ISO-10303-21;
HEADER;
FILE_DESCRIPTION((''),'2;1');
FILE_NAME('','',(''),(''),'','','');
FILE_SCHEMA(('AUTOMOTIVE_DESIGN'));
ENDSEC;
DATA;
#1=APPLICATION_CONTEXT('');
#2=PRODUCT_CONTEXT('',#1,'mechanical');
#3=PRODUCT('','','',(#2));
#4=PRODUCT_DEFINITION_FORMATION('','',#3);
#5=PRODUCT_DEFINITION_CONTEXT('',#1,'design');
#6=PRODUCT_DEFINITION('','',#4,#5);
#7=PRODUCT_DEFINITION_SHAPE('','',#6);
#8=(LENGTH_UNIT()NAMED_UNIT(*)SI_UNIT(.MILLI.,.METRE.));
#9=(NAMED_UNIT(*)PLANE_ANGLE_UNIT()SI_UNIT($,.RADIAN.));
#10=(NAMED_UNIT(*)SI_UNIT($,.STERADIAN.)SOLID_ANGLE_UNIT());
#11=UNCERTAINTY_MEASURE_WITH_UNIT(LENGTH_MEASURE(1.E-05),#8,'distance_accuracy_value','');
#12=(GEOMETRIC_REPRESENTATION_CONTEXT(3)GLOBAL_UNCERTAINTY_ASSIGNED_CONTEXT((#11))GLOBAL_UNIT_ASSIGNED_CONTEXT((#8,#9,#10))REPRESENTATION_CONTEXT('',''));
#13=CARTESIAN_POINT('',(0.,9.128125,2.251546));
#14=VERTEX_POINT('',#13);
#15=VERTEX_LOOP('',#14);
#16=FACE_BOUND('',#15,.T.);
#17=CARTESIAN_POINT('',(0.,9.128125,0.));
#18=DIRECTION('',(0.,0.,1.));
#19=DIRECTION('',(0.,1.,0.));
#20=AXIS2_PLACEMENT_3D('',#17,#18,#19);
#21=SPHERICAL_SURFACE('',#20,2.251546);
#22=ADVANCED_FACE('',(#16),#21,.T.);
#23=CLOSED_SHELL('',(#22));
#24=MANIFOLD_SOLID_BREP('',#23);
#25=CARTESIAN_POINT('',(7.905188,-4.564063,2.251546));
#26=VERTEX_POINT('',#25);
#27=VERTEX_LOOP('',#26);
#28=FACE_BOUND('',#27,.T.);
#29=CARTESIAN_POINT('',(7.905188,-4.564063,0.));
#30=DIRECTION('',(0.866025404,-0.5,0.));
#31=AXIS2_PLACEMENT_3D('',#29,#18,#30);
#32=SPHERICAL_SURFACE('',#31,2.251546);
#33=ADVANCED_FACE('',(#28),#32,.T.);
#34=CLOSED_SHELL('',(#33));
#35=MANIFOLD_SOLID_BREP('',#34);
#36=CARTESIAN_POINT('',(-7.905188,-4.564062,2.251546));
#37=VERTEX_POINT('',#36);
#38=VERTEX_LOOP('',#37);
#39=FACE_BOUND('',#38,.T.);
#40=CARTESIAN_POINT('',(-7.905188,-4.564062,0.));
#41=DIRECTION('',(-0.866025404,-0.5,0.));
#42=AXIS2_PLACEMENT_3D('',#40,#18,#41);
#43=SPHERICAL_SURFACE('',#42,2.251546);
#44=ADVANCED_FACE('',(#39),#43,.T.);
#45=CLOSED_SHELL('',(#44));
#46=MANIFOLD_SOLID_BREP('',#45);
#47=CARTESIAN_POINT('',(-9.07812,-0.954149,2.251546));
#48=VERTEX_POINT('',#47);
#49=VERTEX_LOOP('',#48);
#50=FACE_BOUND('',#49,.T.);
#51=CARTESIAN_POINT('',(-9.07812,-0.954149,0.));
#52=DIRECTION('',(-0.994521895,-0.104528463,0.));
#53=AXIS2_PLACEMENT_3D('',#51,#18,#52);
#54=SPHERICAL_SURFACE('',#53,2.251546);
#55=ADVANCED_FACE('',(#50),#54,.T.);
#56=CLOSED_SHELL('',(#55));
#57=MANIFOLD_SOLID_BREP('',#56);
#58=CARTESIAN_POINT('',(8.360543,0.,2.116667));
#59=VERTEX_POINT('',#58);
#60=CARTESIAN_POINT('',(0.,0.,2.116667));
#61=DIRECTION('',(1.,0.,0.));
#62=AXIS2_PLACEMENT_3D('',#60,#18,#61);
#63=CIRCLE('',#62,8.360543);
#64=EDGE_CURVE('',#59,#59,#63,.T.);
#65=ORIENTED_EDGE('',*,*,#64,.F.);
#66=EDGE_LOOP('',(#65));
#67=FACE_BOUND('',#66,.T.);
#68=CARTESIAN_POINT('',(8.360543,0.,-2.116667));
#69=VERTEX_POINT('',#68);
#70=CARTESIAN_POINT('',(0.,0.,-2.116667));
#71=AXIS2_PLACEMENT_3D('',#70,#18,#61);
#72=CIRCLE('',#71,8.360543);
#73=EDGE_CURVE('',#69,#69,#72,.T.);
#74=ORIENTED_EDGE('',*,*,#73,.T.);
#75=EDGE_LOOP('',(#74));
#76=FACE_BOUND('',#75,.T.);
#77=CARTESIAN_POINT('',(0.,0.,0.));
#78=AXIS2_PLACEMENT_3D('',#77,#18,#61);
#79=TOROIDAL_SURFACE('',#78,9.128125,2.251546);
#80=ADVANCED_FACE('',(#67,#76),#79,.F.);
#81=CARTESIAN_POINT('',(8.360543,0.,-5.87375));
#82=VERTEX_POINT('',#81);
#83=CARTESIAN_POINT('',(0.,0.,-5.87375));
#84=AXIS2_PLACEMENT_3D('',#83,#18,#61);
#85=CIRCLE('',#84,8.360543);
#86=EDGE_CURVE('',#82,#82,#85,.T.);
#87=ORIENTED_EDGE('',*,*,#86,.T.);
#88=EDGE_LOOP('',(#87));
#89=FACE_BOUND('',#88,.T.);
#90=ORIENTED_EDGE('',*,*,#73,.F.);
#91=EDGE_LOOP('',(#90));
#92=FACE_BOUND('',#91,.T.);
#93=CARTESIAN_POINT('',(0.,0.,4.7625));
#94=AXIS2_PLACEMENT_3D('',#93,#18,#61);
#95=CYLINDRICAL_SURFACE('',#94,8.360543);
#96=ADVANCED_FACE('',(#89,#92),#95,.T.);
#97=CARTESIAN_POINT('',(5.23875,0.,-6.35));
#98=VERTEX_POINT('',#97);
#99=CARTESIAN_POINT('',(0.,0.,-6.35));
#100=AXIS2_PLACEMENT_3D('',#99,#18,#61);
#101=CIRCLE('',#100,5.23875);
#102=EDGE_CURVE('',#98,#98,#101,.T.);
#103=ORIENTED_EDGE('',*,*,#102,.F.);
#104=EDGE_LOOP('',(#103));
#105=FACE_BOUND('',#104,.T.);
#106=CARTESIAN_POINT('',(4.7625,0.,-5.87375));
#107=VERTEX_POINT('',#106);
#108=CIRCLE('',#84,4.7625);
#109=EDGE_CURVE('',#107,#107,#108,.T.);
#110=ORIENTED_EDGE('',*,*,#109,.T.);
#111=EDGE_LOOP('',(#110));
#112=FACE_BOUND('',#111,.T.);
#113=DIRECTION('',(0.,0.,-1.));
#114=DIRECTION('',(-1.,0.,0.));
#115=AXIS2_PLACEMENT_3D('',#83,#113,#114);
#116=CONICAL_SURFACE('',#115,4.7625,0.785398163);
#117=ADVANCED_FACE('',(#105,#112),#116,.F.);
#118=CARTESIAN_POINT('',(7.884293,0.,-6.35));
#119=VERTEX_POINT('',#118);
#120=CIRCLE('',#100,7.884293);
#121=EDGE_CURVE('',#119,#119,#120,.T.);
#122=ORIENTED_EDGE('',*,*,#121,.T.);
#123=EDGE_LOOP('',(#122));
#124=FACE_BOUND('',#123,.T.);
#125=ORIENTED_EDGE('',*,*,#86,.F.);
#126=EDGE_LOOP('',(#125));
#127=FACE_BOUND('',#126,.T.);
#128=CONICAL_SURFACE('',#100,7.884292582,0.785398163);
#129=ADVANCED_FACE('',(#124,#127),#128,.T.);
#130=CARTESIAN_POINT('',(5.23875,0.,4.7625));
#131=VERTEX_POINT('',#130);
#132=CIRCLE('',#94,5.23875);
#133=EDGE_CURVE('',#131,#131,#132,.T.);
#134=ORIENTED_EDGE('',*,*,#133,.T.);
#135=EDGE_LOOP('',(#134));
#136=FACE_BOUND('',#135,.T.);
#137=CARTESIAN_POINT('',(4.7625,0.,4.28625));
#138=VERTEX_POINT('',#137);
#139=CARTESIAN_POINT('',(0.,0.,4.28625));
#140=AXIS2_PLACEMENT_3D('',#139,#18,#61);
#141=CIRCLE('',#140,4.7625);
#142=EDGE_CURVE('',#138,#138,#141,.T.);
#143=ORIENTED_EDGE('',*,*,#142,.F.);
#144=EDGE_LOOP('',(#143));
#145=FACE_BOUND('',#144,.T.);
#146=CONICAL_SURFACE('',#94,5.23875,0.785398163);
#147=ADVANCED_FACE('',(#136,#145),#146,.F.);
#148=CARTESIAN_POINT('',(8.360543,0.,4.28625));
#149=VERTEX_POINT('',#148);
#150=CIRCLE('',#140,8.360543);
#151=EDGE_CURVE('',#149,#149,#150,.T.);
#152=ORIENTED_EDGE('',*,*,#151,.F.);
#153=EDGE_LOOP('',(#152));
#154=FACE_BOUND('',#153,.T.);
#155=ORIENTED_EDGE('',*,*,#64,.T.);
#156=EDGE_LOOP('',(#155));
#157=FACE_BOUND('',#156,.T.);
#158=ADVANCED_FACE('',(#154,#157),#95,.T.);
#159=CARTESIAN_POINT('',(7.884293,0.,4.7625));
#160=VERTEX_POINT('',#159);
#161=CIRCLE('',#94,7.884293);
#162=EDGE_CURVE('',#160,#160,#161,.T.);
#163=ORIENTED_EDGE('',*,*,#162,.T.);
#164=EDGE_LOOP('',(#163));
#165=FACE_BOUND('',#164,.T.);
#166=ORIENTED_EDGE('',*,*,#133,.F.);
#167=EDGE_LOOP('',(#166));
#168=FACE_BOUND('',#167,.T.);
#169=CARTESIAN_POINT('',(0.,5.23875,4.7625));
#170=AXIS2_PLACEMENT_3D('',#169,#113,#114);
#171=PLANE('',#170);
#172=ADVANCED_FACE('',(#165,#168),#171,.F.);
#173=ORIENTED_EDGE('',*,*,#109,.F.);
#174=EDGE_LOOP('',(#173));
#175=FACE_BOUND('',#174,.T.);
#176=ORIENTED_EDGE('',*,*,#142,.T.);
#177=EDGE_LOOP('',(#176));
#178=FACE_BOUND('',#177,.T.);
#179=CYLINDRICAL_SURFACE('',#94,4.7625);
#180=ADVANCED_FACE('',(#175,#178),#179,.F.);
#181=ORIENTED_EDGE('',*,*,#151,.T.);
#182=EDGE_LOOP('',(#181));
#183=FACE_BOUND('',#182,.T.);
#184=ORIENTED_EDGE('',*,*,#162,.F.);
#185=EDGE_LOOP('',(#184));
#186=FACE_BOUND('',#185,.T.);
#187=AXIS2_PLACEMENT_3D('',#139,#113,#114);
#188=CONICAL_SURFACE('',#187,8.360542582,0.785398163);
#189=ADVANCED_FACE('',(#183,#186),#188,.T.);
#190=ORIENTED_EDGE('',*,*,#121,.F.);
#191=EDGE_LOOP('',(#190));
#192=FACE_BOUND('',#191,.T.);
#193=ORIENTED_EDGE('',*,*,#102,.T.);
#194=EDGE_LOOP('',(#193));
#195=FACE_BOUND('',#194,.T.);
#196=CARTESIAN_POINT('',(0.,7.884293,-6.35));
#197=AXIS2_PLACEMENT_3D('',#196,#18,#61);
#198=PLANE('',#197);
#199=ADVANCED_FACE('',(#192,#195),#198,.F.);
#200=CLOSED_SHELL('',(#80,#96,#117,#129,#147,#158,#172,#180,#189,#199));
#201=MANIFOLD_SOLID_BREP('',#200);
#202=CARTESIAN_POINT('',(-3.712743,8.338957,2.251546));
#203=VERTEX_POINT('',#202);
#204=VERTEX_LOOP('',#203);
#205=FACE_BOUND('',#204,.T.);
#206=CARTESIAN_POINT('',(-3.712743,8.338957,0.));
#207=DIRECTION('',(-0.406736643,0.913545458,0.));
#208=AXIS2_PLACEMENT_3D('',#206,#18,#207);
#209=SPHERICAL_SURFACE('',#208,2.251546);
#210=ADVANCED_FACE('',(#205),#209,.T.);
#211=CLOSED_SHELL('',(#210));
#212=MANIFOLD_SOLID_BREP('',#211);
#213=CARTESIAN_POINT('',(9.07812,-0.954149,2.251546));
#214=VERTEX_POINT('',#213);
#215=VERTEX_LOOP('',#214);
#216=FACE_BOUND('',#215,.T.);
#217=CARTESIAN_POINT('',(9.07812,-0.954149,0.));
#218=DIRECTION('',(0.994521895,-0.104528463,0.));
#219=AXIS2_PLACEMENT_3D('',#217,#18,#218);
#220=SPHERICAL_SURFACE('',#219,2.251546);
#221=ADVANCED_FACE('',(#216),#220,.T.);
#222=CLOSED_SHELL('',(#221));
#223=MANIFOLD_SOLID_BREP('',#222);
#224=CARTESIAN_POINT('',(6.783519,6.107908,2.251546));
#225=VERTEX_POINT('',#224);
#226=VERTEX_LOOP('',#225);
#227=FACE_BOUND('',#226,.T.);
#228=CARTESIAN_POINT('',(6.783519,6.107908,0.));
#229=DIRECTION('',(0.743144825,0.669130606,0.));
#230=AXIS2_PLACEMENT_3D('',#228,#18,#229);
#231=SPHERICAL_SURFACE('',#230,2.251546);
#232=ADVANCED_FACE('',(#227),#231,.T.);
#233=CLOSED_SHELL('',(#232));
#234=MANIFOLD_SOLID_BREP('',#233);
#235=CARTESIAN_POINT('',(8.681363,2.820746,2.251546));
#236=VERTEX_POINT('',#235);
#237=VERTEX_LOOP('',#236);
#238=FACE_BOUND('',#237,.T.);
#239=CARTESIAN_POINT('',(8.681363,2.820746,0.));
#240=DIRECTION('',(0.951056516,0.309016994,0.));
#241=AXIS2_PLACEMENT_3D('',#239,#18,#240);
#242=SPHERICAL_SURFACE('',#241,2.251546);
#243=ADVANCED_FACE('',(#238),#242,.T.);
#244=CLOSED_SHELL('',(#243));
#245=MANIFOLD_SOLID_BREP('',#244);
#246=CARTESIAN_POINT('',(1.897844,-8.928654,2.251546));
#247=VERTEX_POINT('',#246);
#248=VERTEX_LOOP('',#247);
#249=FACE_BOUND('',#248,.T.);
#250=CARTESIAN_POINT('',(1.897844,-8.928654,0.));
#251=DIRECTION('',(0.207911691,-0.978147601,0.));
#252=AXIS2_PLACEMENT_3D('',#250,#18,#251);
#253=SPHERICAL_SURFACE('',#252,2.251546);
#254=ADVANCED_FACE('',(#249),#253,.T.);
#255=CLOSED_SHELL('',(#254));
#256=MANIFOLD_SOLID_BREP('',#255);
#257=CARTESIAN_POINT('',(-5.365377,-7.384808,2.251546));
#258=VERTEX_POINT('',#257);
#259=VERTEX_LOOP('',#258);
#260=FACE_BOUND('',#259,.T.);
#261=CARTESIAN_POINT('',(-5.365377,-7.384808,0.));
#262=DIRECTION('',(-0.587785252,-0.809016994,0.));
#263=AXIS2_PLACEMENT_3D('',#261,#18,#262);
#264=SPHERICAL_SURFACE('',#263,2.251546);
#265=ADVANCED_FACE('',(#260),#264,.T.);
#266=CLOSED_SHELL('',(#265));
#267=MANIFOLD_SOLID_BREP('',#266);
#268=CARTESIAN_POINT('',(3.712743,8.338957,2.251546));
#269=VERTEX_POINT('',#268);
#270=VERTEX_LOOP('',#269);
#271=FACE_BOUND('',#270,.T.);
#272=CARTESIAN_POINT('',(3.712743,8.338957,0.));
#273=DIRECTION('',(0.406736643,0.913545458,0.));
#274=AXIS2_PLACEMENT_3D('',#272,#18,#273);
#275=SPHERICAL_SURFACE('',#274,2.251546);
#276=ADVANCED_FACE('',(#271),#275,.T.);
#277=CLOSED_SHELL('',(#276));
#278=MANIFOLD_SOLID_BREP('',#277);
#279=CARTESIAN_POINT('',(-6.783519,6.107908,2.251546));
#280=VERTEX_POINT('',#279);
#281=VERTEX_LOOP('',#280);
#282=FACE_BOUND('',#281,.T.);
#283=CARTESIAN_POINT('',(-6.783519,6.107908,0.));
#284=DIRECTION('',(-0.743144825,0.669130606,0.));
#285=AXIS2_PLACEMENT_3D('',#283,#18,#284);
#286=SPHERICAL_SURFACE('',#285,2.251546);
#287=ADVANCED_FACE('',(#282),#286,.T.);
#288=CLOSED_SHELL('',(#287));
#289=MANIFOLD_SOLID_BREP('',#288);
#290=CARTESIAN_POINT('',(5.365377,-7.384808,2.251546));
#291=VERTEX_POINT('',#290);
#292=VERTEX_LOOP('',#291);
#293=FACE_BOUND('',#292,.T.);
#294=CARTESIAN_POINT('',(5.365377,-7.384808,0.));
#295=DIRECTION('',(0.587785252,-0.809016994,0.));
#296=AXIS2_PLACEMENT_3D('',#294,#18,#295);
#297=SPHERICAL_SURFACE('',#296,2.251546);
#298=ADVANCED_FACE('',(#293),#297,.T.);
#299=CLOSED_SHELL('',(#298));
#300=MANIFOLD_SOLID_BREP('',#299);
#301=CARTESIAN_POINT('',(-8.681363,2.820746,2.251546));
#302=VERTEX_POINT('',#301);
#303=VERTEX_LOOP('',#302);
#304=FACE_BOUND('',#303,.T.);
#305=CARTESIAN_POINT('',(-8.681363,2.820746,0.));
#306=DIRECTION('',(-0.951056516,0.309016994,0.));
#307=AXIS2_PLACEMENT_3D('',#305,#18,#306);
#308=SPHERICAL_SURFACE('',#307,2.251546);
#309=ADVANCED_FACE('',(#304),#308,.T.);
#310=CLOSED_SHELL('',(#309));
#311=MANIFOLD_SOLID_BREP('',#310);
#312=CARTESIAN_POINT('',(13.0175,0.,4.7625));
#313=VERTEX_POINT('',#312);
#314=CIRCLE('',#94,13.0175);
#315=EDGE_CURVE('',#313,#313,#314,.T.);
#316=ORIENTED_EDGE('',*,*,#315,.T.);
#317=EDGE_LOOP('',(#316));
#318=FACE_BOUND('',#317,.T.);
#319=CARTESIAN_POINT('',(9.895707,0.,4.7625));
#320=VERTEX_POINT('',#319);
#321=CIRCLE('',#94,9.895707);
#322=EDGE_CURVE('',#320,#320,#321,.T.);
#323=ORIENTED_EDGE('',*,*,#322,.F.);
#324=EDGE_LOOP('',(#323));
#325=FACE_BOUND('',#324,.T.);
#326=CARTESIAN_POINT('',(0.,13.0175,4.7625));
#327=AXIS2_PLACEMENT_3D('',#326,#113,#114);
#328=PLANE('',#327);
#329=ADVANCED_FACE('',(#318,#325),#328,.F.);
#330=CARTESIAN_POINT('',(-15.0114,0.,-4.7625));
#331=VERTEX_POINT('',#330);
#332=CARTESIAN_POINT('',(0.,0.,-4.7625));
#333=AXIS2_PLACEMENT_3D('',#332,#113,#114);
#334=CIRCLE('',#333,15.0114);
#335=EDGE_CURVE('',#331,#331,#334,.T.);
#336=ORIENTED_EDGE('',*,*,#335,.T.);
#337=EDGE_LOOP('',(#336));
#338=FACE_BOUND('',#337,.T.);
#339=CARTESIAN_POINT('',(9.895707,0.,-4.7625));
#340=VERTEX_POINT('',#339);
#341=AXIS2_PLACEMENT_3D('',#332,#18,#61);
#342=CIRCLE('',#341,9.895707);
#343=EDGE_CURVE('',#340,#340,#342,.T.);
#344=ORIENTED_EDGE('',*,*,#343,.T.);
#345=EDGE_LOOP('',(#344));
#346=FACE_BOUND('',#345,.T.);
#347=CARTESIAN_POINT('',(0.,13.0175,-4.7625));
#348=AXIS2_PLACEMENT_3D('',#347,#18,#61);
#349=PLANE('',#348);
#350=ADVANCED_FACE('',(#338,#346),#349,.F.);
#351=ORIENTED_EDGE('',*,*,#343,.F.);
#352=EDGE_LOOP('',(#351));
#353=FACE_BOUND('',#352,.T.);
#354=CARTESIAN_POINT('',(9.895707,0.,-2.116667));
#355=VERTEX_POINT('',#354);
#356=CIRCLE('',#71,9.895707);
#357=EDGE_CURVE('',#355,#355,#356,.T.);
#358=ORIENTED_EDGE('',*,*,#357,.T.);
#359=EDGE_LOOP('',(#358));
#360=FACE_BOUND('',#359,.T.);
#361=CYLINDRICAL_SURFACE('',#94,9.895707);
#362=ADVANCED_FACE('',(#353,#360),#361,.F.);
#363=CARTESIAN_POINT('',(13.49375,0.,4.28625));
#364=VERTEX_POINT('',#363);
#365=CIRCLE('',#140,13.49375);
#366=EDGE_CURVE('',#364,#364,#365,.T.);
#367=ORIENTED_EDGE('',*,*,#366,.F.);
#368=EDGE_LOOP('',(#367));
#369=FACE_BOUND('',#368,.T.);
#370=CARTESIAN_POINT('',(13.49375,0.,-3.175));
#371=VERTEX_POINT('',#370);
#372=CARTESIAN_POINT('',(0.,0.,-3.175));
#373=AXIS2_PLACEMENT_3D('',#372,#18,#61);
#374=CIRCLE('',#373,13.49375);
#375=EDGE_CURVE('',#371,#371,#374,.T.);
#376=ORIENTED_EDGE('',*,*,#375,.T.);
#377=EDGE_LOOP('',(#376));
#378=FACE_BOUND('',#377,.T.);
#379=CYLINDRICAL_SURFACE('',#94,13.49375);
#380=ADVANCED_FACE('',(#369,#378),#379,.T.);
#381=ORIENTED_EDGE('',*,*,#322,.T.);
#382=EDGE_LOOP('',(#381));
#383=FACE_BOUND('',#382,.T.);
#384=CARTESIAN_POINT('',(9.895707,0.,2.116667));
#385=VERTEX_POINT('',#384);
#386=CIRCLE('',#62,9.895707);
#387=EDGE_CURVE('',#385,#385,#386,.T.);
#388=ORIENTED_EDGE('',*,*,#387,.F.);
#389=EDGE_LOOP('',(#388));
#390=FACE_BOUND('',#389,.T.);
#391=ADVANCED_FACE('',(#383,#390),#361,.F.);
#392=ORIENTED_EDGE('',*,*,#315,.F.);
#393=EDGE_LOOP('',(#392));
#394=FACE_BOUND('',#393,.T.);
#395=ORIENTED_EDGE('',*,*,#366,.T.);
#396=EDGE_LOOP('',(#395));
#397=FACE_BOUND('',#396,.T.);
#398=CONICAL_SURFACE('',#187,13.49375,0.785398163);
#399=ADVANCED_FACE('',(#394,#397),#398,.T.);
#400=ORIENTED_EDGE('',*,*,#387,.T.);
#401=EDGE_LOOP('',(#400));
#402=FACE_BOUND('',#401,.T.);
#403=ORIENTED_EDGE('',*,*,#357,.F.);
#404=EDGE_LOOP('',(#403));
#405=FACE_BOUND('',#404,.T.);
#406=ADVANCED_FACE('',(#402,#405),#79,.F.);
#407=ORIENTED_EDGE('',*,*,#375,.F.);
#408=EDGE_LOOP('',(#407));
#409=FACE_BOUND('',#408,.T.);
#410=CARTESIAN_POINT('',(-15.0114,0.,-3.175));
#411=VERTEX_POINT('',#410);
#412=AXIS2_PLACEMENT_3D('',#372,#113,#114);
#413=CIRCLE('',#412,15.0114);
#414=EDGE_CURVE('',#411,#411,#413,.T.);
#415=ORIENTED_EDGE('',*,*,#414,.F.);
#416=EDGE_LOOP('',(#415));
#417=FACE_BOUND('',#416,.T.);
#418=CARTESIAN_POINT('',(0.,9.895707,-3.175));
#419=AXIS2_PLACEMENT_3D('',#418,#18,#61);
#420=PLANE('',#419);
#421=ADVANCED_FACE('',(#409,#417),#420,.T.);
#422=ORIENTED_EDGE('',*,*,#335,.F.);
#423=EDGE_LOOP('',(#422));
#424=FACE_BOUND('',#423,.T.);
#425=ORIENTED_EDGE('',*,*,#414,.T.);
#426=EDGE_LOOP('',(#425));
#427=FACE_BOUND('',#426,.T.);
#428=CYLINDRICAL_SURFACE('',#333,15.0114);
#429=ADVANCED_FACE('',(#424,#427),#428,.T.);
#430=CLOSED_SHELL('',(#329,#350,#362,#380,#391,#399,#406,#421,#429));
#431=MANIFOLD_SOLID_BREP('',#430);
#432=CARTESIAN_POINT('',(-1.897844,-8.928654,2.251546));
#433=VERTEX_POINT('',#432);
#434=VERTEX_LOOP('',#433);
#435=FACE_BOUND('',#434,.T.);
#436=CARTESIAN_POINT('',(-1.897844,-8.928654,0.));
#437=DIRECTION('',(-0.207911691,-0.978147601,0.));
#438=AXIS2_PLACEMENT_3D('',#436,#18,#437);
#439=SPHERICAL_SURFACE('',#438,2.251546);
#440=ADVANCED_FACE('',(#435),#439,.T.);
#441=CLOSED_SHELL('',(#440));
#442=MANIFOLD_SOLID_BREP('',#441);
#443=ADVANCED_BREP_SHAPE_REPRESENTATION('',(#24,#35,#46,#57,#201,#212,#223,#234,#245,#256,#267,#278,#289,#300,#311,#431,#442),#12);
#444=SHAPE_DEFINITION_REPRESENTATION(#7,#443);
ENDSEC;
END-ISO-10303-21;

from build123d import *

# Parameters (mm, degrees)
CIRPATTERN1_COUNT = 15
SKETCH6_W         = 1.5875
SKETCH6_H         = 5.115692582


with BuildPart() as part:
    # Sketch1 → Revolve1 (revolve)
    with BuildSketch(Plane(origin=(0, 0, 0), x_dir=(0, 0, -1), z_dir=(1, 0, 0))):
        with BuildLine():
            Line((4.28625, 13.49375), (-4.28625, 13.49375))
            Line((-4.28625, 13.49375), (-4.7625, 13.0175))
            Line((-4.7625, 13.0175), (-4.7625, 9.895707418))
            Line((-4.7625, 9.895707418), (-2.116666667, 9.895707418))
            ThreePointArc((-2.116666667, 9.895707418), (0, 11.379671257), (2.116666667, 9.895707418))
            Line((2.116666667, 9.895707418), (4.7625, 9.895707418))
            Line((4.7625, 9.895707418), (4.7625, 13.0175))
            Line((4.7625, 13.0175), (4.28625, 13.49375))
        make_face()
    revolve(axis=Axis((0, 0, 4.7625), (0, 0, -1)))

    # Sketch6 → Revolve6 (revolve)
    with BuildSketch(Plane(origin=(0, 0, 0), x_dir=(0, 0, -1), z_dir=(1, 0, 0))):
        with Locations((3.96875, 12.453553709)):
            Rectangle(SKETCH6_W, SKETCH6_H)
    revolve(axis=Axis((0, 0, -4.7625), (0, 0, 1)))


with BuildPart() as body_2:
    # Sketch3 → Revolve3 (revolve)
    with BuildSketch(Plane(origin=(0, 0, 0), x_dir=(0, 0, -1), z_dir=(1, 0, 0))):
        with BuildLine():
            Line((-4.7625, 5.23875), (-4.7625, 7.884292582))
            Line((-4.7625, 7.884292582), (-4.28625, 8.360542582))
            Line((-4.28625, 8.360542582), (-2.116666667, 8.360542582))
            ThreePointArc((-2.116666667, 8.360542582), (0, 6.876578743), (2.116666667, 8.360542582))
            Line((2.116666667, 8.360542582), (5.87375, 8.360542582))
            Line((5.87375, 8.360542582), (6.35, 7.884292582))
            Line((6.35, 7.884292582), (6.35, 5.23875))
            Line((6.35, 5.23875), (5.87375, 4.7625))
            Line((5.87375, 4.7625), (-4.28625, 4.7625))
            Line((-4.28625, 4.7625), (-4.7625, 5.23875))
        make_face()
    revolve(axis=Axis((0, 0, 4.7625), (0, 0, -1)))


with BuildPart() as body_3:
    # Sketch4 → Revolve4 (revolve)
    with BuildSketch(Plane(origin=(0, 0, 0), x_dir=(0, 0, -1), z_dir=(1, 0, 0))):
        with BuildLine():
            Line((-2.251546257, 9.128125), (2.251546257, 9.128125))
            ThreePointArc((2.251546257, 9.128125), (0, 11.379671257), (-2.251546257, 9.128125))
        make_face()
    revolve(axis=Axis((0, 9.128125, 2.251546257), (0, 0, -1)))


with BuildPart() as cirpattern1_1:
    # CirPattern1: pattern copy
    add(body_3.part.rotate(Axis((0, 0, -4.7625), (0, 0, 1)), 1 * 360 / CIRPATTERN1_COUNT))


with BuildPart() as cirpattern1_2:
    # CirPattern1: pattern copy
    add(body_3.part.rotate(Axis((0, 0, -4.7625), (0, 0, 1)), 2 * 360 / CIRPATTERN1_COUNT))


with BuildPart() as cirpattern1_3:
    # CirPattern1: pattern copy
    add(body_3.part.rotate(Axis((0, 0, -4.7625), (0, 0, 1)), 3 * 360 / CIRPATTERN1_COUNT))


with BuildPart() as cirpattern1_4:
    # CirPattern1: pattern copy
    add(body_3.part.rotate(Axis((0, 0, -4.7625), (0, 0, 1)), 4 * 360 / CIRPATTERN1_COUNT))


with BuildPart() as cirpattern1_5:
    # CirPattern1: pattern copy
    add(body_3.part.rotate(Axis((0, 0, -4.7625), (0, 0, 1)), 5 * 360 / CIRPATTERN1_COUNT))


with BuildPart() as cirpattern1_6:
    # CirPattern1: pattern copy
    add(body_3.part.rotate(Axis((0, 0, -4.7625), (0, 0, 1)), 6 * 360 / CIRPATTERN1_COUNT))


with BuildPart() as cirpattern1_7:
    # CirPattern1: pattern copy
    add(body_3.part.rotate(Axis((0, 0, -4.7625), (0, 0, 1)), 7 * 360 / CIRPATTERN1_COUNT))


with BuildPart() as cirpattern1_8:
    # CirPattern1: pattern copy
    add(body_3.part.rotate(Axis((0, 0, -4.7625), (0, 0, 1)), 8 * 360 / CIRPATTERN1_COUNT))


with BuildPart() as cirpattern1_9:
    # CirPattern1: pattern copy
    add(body_3.part.rotate(Axis((0, 0, -4.7625), (0, 0, 1)), 9 * 360 / CIRPATTERN1_COUNT))


with BuildPart() as cirpattern1_10:
    # CirPattern1: pattern copy
    add(body_3.part.rotate(Axis((0, 0, -4.7625), (0, 0, 1)), 10 * 360 / CIRPATTERN1_COUNT))


with BuildPart() as cirpattern1_11:
    # CirPattern1: pattern copy
    add(body_3.part.rotate(Axis((0, 0, -4.7625), (0, 0, 1)), 11 * 360 / CIRPATTERN1_COUNT))


with BuildPart() as cirpattern1_12:
    # CirPattern1: pattern copy
    add(body_3.part.rotate(Axis((0, 0, -4.7625), (0, 0, 1)), 12 * 360 / CIRPATTERN1_COUNT))


with BuildPart() as cirpattern1_13:
    # CirPattern1: pattern copy
    add(body_3.part.rotate(Axis((0, 0, -4.7625), (0, 0, 1)), 13 * 360 / CIRPATTERN1_COUNT))


with BuildPart() as cirpattern1_14:
    # CirPattern1: pattern copy
    add(body_3.part.rotate(Axis((0, 0, -4.7625), (0, 0, 1)), 14 * 360 / CIRPATTERN1_COUNT))


solid = Compound([part.part, body_2.part, body_3.part, cirpattern1_1.part, cirpattern1_2.part, cirpattern1_3.part, cirpattern1_4.part, cirpattern1_5.part, cirpattern1_6.part, cirpattern1_7.part, cirpattern1_8.part, cirpattern1_9.part, cirpattern1_10.part, cirpattern1_11.part, cirpattern1_12.part, cirpattern1_13.part, cirpattern1_14.part])
